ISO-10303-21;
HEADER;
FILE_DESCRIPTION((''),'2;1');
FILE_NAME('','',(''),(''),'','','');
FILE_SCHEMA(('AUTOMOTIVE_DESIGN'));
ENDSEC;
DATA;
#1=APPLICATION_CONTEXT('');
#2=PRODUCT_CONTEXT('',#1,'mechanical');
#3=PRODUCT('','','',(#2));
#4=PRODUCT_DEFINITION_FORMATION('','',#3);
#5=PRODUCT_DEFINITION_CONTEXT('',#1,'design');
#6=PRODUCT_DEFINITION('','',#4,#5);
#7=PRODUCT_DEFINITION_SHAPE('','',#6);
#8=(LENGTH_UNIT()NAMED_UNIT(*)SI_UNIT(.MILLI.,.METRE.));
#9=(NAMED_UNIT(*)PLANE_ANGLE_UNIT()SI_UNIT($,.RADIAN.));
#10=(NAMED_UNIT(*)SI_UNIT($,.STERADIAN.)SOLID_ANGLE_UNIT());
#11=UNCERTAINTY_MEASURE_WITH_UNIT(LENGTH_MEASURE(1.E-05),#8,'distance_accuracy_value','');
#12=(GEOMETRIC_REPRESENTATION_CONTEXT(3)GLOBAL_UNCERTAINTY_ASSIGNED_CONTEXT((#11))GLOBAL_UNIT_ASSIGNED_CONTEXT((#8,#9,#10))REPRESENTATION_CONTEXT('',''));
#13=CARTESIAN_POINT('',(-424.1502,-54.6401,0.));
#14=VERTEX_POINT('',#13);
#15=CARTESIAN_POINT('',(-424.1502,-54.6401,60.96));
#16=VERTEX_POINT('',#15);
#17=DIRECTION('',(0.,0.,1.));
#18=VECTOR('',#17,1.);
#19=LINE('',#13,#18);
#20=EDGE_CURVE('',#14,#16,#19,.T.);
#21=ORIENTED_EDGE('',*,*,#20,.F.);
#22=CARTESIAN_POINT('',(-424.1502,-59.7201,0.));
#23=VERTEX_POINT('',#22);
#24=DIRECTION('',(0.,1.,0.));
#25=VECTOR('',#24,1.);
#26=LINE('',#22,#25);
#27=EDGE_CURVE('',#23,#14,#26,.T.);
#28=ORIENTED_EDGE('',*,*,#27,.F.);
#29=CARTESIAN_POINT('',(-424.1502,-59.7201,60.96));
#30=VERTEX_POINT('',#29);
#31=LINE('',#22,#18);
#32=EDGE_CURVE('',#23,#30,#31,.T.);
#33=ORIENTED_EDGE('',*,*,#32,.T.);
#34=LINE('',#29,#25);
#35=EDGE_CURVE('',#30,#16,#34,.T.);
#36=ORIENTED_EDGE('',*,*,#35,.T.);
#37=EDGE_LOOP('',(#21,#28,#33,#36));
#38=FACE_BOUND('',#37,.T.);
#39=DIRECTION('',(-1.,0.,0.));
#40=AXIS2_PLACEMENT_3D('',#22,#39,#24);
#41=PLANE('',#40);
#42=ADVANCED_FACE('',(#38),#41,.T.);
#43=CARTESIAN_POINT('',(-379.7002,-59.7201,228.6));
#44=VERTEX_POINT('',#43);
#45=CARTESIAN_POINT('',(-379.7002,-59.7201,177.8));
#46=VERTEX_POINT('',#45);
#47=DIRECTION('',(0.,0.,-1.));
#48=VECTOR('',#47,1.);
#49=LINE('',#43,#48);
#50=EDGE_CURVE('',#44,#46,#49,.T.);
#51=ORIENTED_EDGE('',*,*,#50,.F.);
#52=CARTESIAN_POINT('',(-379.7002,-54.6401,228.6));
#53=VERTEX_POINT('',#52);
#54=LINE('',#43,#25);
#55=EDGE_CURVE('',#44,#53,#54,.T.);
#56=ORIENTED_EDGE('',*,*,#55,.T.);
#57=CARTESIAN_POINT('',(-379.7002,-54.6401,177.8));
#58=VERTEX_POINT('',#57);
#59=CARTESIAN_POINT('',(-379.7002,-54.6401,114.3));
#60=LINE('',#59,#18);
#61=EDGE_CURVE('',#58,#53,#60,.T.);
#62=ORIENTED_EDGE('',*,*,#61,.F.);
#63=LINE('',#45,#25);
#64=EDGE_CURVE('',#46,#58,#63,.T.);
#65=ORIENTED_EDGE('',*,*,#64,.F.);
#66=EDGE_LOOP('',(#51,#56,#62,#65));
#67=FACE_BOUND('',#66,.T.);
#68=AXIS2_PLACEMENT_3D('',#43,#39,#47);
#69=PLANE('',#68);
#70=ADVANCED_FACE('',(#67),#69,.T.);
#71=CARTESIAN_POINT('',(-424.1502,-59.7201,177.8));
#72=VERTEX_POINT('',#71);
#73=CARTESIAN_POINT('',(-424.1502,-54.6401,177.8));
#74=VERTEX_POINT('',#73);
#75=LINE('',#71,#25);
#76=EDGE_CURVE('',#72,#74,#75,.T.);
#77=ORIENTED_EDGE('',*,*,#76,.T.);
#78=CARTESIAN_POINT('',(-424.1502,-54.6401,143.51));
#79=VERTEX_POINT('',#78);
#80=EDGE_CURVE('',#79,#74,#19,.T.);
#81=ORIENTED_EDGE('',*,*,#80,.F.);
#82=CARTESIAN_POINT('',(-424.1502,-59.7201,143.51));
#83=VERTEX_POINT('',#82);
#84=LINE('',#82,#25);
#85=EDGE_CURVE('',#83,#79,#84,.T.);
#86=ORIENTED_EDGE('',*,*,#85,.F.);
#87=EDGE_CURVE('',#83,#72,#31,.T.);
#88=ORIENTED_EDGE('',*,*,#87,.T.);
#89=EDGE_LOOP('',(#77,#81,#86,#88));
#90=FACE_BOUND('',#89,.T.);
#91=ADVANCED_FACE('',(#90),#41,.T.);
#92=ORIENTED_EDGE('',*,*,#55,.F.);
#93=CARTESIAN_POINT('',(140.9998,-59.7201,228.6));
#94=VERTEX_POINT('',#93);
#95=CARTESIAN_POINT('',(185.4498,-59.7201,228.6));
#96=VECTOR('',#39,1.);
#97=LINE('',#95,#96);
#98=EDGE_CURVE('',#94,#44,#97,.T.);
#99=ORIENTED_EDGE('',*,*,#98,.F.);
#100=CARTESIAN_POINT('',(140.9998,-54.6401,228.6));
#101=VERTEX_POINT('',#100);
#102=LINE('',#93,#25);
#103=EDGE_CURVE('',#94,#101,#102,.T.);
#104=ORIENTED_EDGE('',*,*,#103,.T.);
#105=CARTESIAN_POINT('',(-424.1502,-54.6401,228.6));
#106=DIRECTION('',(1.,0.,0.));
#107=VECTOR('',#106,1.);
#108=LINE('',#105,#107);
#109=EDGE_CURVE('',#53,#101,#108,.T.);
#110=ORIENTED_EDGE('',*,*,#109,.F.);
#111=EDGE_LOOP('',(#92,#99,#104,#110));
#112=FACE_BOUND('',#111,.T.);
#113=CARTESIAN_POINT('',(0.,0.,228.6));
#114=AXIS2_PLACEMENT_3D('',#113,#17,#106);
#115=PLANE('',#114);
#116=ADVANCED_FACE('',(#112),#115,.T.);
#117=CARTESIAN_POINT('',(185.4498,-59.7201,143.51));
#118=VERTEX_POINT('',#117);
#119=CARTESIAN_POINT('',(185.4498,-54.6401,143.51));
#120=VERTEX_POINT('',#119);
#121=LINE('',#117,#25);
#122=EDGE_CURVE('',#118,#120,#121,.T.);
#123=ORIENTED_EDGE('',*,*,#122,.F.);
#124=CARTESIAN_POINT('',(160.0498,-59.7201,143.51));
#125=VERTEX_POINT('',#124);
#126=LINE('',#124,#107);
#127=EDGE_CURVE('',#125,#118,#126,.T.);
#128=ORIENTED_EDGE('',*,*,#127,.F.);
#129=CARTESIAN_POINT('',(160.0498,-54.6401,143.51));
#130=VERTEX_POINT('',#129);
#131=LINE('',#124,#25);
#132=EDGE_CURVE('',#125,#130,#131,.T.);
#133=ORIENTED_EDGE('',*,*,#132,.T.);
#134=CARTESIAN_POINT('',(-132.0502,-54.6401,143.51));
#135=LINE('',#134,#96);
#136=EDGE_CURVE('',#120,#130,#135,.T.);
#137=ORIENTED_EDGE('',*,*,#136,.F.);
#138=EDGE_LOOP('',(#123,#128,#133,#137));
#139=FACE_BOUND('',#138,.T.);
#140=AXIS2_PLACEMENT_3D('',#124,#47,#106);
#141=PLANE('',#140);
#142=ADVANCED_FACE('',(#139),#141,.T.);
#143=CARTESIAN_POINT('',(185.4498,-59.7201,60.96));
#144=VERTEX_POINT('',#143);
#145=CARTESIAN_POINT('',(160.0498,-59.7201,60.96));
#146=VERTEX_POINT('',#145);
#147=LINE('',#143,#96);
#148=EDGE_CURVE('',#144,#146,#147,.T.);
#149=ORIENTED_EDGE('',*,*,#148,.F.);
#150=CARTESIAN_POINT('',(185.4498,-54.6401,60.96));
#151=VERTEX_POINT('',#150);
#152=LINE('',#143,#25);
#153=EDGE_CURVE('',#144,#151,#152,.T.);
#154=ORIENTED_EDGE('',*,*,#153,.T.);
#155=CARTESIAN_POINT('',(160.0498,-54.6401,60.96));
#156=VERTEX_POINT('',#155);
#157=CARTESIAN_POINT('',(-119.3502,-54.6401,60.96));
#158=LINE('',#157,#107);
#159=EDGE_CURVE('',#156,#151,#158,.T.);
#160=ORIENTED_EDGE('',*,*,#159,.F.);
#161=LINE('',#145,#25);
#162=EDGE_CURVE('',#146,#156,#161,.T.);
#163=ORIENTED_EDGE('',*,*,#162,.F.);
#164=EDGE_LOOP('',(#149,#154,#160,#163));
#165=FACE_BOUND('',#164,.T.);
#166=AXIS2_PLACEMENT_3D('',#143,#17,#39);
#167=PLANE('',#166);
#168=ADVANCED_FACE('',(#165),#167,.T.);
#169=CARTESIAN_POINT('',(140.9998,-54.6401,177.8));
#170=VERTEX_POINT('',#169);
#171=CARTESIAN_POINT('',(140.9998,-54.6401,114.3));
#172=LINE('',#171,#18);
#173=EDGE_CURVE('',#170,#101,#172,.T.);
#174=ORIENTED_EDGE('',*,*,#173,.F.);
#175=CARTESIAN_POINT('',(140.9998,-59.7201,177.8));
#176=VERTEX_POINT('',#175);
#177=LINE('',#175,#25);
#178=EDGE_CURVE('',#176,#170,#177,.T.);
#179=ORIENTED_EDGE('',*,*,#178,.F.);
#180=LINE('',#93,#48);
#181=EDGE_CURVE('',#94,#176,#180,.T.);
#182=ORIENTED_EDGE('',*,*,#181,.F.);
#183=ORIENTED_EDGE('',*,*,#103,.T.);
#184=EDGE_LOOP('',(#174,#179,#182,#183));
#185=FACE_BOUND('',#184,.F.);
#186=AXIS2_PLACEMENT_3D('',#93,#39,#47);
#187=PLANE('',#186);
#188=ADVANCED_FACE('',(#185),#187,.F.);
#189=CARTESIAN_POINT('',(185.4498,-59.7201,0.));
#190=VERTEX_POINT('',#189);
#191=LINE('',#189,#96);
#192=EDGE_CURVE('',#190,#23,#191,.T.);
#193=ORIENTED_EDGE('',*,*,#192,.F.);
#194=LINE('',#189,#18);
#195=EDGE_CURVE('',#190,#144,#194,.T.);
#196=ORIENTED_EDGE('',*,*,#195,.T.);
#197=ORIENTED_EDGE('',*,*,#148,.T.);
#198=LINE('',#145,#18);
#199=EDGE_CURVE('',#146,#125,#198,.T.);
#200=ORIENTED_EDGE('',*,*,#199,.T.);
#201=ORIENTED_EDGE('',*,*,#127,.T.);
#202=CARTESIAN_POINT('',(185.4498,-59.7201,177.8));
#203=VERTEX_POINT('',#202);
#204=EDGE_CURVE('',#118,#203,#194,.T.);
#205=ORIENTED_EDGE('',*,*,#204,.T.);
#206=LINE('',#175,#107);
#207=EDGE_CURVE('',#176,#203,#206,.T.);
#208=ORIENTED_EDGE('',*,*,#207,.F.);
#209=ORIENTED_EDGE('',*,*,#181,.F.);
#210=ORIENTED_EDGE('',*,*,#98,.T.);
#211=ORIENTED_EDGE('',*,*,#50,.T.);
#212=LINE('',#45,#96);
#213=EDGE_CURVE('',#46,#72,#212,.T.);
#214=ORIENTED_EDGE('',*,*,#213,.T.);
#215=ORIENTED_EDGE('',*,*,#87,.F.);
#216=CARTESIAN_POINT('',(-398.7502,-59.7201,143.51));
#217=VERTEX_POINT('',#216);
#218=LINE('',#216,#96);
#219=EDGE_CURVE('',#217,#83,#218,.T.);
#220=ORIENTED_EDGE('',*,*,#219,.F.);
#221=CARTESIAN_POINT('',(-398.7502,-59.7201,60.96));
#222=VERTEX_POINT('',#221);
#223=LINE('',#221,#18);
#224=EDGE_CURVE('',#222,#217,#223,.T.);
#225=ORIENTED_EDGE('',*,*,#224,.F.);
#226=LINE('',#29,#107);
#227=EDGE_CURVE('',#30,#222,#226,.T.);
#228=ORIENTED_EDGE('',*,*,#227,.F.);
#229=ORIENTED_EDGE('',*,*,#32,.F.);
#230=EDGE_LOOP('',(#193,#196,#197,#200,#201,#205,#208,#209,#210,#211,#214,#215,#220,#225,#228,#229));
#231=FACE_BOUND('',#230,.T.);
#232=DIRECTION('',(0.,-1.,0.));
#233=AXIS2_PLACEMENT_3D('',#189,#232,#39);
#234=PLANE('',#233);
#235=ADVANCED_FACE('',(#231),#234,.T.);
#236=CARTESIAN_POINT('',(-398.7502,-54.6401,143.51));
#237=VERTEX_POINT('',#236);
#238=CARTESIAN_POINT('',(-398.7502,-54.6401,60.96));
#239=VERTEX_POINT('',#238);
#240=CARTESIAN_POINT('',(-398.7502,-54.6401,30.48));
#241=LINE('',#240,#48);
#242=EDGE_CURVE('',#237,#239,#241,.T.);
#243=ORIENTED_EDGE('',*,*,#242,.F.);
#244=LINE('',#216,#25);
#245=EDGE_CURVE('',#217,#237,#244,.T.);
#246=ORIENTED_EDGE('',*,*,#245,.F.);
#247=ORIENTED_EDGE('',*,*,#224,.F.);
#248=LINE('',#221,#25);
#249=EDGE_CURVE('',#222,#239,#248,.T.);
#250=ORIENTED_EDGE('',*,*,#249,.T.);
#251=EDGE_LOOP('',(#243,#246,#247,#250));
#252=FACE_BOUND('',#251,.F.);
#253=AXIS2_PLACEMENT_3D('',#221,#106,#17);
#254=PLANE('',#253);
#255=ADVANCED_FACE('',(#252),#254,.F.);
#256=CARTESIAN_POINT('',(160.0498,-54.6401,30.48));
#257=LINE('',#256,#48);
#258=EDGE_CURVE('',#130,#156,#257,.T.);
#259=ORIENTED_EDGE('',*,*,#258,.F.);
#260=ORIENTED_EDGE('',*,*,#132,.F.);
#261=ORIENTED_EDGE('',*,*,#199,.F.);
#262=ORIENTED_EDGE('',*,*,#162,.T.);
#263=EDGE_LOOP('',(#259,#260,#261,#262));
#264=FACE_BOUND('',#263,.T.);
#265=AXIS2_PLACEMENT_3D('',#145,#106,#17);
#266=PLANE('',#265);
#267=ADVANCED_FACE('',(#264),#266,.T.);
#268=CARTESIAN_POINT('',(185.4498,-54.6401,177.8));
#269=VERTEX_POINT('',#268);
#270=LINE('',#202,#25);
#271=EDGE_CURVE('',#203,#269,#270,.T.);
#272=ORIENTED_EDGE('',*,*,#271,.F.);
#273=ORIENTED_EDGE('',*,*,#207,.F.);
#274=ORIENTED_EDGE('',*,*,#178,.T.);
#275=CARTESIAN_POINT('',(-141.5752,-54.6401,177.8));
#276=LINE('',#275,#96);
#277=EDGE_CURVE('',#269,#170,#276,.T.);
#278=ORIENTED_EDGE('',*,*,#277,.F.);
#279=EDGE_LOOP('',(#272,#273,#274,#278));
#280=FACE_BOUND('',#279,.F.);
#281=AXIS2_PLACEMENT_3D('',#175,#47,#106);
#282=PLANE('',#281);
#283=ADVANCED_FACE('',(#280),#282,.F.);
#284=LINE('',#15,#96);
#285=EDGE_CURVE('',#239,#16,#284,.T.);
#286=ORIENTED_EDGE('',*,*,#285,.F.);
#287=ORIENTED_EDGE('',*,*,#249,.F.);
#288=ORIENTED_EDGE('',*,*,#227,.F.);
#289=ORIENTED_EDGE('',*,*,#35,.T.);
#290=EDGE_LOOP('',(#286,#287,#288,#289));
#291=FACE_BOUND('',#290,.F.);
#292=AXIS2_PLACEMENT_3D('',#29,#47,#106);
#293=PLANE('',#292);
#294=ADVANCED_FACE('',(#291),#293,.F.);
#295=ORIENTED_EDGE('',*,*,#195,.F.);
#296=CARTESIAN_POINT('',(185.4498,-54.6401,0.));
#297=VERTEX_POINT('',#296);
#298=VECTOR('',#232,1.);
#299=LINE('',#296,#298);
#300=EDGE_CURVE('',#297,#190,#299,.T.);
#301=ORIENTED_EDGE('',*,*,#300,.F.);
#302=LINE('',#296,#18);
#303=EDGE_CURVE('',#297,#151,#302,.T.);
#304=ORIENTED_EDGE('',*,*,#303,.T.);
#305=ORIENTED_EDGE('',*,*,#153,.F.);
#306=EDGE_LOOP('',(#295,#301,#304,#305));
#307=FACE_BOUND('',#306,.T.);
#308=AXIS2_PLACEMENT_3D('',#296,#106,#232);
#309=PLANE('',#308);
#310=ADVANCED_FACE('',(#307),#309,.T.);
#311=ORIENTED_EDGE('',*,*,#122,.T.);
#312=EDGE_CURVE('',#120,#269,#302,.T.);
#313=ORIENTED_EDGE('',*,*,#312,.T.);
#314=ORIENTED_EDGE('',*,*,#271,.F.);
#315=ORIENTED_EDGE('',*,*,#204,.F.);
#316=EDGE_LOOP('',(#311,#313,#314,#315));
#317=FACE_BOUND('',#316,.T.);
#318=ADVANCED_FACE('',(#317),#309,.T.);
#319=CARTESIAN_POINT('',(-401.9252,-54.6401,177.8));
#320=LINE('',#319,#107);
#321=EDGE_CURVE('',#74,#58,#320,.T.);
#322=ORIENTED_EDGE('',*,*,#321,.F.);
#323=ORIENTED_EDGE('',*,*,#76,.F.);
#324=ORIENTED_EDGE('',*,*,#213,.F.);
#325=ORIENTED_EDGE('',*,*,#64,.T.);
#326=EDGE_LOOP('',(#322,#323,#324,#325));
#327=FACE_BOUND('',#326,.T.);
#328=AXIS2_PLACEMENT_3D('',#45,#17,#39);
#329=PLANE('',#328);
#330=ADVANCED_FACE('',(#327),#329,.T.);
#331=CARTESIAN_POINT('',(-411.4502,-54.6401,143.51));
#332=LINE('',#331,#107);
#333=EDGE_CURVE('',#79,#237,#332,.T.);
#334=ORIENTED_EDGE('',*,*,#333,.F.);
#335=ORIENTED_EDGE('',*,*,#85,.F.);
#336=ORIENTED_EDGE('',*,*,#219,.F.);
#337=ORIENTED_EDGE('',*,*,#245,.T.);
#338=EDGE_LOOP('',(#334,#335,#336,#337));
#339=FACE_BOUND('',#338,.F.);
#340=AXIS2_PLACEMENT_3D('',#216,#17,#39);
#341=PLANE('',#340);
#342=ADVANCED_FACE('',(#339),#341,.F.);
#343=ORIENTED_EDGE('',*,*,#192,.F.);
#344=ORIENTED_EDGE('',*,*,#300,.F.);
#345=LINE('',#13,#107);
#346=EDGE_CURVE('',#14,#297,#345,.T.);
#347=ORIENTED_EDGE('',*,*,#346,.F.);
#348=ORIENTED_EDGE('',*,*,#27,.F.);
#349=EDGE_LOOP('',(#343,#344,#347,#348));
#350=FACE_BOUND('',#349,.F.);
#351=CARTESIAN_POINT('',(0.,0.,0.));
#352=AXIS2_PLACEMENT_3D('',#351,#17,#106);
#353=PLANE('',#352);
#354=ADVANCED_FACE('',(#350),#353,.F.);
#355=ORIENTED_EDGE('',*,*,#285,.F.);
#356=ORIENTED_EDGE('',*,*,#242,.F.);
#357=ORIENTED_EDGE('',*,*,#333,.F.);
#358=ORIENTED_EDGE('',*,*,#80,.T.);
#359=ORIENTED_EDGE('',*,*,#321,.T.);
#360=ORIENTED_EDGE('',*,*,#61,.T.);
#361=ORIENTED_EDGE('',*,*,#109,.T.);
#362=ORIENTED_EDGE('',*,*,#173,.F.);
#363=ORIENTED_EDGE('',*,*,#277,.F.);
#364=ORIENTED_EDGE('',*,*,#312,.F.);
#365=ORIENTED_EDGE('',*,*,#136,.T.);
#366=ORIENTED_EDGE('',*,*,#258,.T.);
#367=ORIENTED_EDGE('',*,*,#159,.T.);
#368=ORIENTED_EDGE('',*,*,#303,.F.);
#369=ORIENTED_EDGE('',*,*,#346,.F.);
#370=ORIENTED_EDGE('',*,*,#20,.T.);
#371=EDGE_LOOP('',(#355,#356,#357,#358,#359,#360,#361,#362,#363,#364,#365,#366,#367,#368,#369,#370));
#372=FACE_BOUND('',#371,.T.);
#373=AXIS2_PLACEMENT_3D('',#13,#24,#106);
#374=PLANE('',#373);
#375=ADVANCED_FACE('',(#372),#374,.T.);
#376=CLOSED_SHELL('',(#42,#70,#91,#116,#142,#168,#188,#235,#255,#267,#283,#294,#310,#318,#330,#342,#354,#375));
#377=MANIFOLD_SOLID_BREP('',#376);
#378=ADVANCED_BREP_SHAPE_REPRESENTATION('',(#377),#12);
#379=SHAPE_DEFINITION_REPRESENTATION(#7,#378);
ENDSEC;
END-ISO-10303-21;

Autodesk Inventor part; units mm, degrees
ref_plane "YZ Plane" through (0, 0, 0) normal (1, 0, 0) x (0, 1, 0)
ref_plane "XZ Plane" through (0, 0, 0) normal (0, 1, 0) x (-1, 0, 0)
ref_plane "XY Plane" through (0, 0, 0) normal (0, 0, 1) x (1, 0, 0)
sketch "Sketch1" plane through (0, 0, 0) normal (0, 0, 1) x (1, 0, 0)
  line L0 (185.4498, -59.7201) -> (-424.1502, -59.7201)
  line L1 (-424.1502, -59.7201) -> (-424.1502, -54.6401)
  line L2 (-424.1502, -54.6401) -> (185.4498, -54.6401)
  line L3 (185.4498, -54.6401) -> (185.4498, -59.7201)
  point P0 (0, 0)
  dimension "d0" = 609.6
  dimension "d1" = 5.08
extrude "Extrusion1" add sketch "Sketch1" along normal blind 228.6
sketch "Sketch2" plane through (-424.1502, -59.7201, 0) normal (0, -1, 0) x (1, 0, 0)
  line L0 (0, 0) -> (0, 228.6) projected
  line L1 (609.6, 0) -> (0, 0) projected
  line L2 (609.6, 0) -> (609.6, 228.6) projected
  line L3 (0, 228.6) -> (44.45, 228.6)
  line L4 (44.45, 228.6) -> (44.45, 177.8)
  line L5 (44.45, 177.8) -> (0, 177.8)
  line L6 (0, 177.8) -> (0, 228.6)
  line L7 (609.6, 228.6) -> (565.15, 228.6)
  line L8 (565.15, 228.6) -> (565.15, 177.8)
  line L9 (565.15, 177.8) -> (609.6, 177.8)
  line L10 (609.6, 177.8) -> (609.6, 228.6)
  line L11 (609.6, 60.96) -> (584.2, 60.96)
  line L12 (584.2, 60.96) -> (584.2, 143.51)
  line L13 (584.2, 143.51) -> (609.6, 143.51)
  line L14 (609.6, 143.51) -> (609.6, 60.96)
  line L15 (0, 60.96) -> (25.4, 60.96)
  line L16 (25.4, 60.96) -> (25.4, 143.51)
  line L17 (25.4, 143.51) -> (0, 143.51)
  line L18 (0, 143.51) -> (0, 60.96)
  point P0 (424.1502, 0)
  dimension "d4" = 44.45
  dimension "d5" = 50.8
  dimension "d6" = 44.45
  dimension "d7" = 50.8
  dimension "d8" = 60.96
  dimension "d9" = 60.96
  dimension "d10" = 25.4
  dimension "d11" = 25.4
  dimension "d12" = 82.55
  dimension "d13" = 82.55
extrude "Extrusion2" cut sketch "Sketch2" against normal blind 25.4
equation "\"d6\" = d4"
equation "\"d7\" = d5"
equation "\"d9\" = d8"
equation "\"d10\" = d11"
equation "\"d13\" = d12"
properties part number "ElectronicsBoardVerticalBottomDropped"
